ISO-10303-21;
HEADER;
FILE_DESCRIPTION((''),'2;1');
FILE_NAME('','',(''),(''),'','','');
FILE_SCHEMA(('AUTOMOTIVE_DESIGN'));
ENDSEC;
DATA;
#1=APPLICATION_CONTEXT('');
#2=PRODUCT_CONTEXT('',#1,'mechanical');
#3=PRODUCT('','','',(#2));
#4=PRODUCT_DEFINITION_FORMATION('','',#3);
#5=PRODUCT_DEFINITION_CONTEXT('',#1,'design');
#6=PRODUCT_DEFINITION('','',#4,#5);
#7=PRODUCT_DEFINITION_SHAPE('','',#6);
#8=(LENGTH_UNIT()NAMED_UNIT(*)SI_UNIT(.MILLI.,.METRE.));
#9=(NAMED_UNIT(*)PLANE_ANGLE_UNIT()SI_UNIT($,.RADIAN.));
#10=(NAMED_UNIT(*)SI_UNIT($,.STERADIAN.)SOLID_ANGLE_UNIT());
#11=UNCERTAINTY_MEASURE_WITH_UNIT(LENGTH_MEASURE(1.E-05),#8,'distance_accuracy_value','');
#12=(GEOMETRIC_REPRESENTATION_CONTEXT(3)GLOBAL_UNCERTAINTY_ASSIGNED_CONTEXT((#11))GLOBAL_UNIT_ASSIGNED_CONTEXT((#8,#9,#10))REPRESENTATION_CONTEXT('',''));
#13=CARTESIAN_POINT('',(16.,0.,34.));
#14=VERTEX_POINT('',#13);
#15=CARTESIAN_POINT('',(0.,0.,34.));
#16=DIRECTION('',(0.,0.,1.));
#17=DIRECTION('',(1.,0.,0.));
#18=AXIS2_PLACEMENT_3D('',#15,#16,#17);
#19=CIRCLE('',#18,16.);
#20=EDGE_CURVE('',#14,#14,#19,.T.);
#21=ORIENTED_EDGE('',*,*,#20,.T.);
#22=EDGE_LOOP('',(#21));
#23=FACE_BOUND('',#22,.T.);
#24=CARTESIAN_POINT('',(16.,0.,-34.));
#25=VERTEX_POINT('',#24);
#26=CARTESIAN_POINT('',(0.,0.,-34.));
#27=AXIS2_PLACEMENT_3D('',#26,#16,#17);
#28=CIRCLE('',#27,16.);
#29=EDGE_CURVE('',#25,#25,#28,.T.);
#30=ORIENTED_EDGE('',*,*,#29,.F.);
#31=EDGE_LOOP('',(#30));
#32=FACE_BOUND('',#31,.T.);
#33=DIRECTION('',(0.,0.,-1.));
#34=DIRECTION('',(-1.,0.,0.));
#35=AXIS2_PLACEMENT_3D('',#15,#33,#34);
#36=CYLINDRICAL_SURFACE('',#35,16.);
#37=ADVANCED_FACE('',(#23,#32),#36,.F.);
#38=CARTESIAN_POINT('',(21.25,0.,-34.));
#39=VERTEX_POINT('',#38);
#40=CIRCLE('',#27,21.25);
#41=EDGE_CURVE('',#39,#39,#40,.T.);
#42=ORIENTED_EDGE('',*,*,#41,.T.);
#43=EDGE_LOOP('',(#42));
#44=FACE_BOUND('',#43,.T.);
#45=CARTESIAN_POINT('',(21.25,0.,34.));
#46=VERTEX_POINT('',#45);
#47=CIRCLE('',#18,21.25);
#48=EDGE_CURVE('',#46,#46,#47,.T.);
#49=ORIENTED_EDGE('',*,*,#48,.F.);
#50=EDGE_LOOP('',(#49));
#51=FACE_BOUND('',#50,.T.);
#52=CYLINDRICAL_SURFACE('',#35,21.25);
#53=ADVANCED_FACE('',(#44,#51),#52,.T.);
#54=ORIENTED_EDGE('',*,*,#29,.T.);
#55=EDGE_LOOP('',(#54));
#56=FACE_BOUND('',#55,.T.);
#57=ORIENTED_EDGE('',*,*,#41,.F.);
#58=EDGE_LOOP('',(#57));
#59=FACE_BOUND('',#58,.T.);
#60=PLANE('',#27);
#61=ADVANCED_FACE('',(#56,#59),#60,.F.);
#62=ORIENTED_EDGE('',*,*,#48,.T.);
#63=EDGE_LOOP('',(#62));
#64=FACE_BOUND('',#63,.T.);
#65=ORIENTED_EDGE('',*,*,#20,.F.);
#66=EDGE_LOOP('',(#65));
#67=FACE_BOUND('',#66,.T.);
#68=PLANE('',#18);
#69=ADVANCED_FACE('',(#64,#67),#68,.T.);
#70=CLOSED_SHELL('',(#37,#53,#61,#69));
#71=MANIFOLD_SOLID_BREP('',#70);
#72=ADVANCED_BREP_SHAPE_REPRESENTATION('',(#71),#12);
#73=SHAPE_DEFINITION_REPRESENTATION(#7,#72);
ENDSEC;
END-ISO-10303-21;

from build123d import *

# Parameters (mm, degrees)
ESQUISSE2_R      = 21.25
ESQUISSE2_R_2    = 16
EXTRUSION1_DEPTH = 34


with BuildPart() as part:
    # Esquisse2 → Extrusion1 (new body, symmetric)
    with BuildSketch(Plane.XY):
        Circle(ESQUISSE2_R)
        Circle(ESQUISSE2_R_2, mode=Mode.SUBTRACT)
    extrude(amount=EXTRUSION1_DEPTH, both=True)


solid = part.part
